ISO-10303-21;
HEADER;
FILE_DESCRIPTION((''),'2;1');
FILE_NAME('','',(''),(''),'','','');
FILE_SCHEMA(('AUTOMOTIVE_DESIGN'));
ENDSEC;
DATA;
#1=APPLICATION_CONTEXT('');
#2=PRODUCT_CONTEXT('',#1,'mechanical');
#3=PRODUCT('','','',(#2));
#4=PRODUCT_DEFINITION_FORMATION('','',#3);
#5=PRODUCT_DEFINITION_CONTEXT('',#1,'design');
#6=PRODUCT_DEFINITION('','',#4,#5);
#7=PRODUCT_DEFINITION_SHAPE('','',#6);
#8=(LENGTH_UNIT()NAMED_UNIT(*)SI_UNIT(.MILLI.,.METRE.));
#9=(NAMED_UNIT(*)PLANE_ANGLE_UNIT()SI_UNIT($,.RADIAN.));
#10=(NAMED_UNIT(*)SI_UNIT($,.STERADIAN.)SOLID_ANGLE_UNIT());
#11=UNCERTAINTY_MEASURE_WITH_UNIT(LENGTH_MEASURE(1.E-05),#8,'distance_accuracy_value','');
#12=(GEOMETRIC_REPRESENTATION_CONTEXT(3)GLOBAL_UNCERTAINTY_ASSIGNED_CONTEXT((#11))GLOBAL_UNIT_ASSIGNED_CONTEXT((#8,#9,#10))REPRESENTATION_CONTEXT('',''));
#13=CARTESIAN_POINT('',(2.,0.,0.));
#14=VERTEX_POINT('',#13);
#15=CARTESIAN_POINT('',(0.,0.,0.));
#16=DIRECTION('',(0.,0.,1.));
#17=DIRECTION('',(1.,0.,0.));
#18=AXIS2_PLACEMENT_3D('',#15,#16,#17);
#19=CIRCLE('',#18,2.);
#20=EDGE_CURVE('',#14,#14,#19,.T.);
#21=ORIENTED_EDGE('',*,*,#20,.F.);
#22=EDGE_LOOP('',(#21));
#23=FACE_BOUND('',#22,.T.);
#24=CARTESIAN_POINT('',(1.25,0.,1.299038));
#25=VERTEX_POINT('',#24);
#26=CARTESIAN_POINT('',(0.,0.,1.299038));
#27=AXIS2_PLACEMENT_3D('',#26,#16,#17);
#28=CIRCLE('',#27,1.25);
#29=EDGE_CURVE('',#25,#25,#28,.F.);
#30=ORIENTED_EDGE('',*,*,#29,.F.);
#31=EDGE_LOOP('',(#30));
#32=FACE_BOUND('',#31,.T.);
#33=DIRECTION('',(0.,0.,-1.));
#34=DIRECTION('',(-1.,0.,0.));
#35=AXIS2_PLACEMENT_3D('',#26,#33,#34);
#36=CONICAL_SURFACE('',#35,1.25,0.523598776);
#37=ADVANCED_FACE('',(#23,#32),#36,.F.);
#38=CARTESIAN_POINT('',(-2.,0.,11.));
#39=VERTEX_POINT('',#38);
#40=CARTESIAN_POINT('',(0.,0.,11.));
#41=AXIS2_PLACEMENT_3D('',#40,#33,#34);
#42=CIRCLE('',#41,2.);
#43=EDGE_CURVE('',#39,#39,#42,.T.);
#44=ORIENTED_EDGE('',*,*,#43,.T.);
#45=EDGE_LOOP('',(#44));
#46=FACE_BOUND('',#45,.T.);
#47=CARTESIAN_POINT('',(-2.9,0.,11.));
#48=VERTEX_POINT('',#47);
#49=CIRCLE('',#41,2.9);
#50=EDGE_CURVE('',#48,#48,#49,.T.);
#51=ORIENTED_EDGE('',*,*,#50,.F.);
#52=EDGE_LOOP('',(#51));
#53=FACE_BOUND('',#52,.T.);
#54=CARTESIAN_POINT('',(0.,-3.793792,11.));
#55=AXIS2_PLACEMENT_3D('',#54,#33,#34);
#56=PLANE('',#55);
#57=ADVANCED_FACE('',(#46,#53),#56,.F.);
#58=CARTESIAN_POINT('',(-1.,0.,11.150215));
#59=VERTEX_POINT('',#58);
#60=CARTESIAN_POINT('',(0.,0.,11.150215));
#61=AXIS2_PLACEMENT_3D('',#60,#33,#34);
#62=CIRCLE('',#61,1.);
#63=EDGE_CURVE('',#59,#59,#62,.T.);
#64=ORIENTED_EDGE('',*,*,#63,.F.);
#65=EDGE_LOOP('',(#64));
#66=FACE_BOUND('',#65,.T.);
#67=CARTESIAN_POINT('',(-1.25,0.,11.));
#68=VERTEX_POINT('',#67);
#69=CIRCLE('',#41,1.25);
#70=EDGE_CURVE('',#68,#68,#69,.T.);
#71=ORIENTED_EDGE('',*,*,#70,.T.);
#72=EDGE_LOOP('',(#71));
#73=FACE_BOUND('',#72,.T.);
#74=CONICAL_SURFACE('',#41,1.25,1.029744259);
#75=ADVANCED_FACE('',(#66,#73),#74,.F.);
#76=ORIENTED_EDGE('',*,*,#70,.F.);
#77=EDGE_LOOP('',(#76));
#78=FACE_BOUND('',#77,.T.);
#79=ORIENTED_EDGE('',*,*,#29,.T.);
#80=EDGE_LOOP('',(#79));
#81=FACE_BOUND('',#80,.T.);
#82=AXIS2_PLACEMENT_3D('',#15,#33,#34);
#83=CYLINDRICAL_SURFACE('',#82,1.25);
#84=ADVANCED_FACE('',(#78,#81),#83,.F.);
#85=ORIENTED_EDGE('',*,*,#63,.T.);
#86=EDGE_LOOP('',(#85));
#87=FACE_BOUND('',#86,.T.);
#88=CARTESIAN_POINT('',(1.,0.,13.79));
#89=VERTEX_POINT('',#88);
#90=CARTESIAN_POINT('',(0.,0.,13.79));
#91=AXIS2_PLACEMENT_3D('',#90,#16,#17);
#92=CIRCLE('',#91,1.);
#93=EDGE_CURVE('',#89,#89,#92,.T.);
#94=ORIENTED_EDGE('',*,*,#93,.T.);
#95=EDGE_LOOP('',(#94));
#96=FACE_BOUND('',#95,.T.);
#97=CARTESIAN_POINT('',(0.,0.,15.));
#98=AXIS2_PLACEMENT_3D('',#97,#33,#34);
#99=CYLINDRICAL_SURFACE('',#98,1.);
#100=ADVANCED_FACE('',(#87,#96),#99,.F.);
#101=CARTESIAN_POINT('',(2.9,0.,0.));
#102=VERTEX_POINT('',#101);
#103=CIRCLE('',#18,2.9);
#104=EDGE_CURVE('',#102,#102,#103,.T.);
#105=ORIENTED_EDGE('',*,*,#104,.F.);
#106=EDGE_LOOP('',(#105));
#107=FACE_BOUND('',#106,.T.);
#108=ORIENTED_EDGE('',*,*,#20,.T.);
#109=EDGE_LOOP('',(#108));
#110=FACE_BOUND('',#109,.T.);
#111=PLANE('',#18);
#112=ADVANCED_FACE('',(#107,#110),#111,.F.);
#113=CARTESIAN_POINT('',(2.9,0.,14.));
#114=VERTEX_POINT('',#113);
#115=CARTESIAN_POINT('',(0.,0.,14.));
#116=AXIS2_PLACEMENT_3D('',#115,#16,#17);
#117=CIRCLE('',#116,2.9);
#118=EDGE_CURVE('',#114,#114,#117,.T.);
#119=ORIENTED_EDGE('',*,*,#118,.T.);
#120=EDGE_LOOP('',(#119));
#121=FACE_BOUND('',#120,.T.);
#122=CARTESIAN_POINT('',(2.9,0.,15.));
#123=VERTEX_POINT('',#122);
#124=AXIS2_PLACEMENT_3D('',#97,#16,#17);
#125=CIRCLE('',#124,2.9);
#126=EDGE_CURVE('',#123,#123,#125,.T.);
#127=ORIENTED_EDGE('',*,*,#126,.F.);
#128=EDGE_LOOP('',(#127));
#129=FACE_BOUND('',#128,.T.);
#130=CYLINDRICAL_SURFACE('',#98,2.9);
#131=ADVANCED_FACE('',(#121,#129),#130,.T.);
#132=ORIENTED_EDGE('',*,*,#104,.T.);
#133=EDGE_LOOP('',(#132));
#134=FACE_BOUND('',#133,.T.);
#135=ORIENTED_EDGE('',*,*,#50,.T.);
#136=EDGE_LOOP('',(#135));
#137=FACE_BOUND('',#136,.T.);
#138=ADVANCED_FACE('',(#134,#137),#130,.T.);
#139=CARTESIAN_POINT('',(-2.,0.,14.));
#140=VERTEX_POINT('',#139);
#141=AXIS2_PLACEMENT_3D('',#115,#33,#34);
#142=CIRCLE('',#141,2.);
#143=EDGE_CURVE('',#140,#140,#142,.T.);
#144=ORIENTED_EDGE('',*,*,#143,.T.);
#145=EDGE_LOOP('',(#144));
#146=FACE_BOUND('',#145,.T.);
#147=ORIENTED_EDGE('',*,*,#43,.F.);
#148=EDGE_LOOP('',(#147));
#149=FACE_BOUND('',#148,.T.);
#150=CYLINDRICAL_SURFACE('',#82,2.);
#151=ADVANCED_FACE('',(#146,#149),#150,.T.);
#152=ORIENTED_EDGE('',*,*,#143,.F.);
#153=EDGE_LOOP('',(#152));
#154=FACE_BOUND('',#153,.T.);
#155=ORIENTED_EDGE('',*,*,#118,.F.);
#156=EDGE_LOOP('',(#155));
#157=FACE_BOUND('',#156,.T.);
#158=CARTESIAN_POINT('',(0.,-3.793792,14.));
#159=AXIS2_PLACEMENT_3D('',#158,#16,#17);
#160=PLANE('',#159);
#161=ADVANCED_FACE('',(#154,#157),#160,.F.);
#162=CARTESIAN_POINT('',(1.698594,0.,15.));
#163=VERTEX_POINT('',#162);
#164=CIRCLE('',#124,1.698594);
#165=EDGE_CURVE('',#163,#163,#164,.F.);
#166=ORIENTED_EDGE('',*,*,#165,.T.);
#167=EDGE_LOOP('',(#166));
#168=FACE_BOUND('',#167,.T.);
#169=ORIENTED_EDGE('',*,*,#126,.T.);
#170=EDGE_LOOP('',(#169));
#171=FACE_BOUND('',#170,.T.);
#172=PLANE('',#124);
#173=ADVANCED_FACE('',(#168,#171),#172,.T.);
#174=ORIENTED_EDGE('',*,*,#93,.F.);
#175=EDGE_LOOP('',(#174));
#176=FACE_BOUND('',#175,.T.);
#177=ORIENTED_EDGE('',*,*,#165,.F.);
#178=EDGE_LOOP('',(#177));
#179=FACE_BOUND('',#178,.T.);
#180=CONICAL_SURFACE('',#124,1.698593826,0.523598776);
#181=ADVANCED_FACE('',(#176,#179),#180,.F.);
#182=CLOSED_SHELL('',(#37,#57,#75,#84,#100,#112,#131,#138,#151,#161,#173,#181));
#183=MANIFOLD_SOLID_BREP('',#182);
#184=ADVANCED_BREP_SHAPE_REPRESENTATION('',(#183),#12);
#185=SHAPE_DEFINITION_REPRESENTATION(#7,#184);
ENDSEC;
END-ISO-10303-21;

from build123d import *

# Parameters (mm, degrees)
SKETCH1_R                       = 2.9
BOSS_EXTRUDE1_DEPTH             = 15
SKETCH2_R                       = 1
CUT_EXTRUDE1_DEPTH              = 16
TAP_DRILL_FOR_M3X0_5_TAP1_D     = 2.5
TAP_DRILL_FOR_M3X0_5_TAP1_DEPTH = 11
TAP_DRILL_FOR_M3X0_5_TAP1_TIP   = 0.751075774
SKETCH5_W                       = 3
SKETCH5_H                       = 1.793791595
CHAMFER1_SIZE                   = 0.75
CHAMFER1_SIZE2                  = 1.299038106
CHAMFER2_SIZE                   = 1.21
CHAMFER2_SIZE2                  = 0.698593826


with BuildPart() as part:
    # Sketch1 → Boss-Extrude1 (new body)
    with BuildSketch(Plane.XY):
        Circle(SKETCH1_R)
    extrude(amount=BOSS_EXTRUDE1_DEPTH)

    # Sketch2 → Cut-Extrude1 (cut, through all)
    with BuildSketch(Plane(origin=(0, 0, 0), x_dir=(-1, 0, 0), z_dir=(0, 0, -1))):
        Circle(SKETCH2_R)
    extrude(amount=-CUT_EXTRUDE1_DEPTH, mode=Mode.SUBTRACT)

    # Tap Drill for M3x0.5 Tap1
    with Locations(Plane(origin=(0, 0, 0), x_dir=(-1, 0, 0), z_dir=(0, 0, -1))):
        with Locations((0, 0)):
            Hole(TAP_DRILL_FOR_M3X0_5_TAP1_D / 2, depth=TAP_DRILL_FOR_M3X0_5_TAP1_DEPTH)
            with Locations((0, 0, -(TAP_DRILL_FOR_M3X0_5_TAP1_DEPTH + TAP_DRILL_FOR_M3X0_5_TAP1_TIP / 2))):  # 118° drill point
                Cone(0, TAP_DRILL_FOR_M3X0_5_TAP1_D / 2, TAP_DRILL_FOR_M3X0_5_TAP1_TIP, mode=Mode.SUBTRACT)

    # Sketch5 → Cut-Revolve1 (revolve, cut)
    with BuildSketch(Plane(origin=(0, 0, 0), x_dir=(0, 0, -1), z_dir=(1, 0, 0))):
        with Locations((-12.5, 2.896895798)):
            Rectangle(SKETCH5_W, SKETCH5_H)
    revolve(axis=Axis((0, 0, 0), (0, 0, 1)), mode=Mode.SUBTRACT)

    # Chamfer1
    chamfer1_edges = [part.edges().sort_by_distance(p)[0] for p in [
        (-1.25, 0, 0),
    ]]
    chamfer1_side = [part.faces().sort_by_distance(p)[0] for p in [
        (-2.817975613, 0, 0),
    ]]
    chamfer(chamfer1_edges, length=CHAMFER1_SIZE, length2=CHAMFER1_SIZE2, reference=chamfer1_side[0])

    # Chamfer2
    chamfer2_edges = [part.edges().sort_by_distance(p)[0] for p in [
        (1, 0, 15),
    ]]
    chamfer2_side = [part.faces().sort_by_distance(p)[0] for p in [
        (1, 0, 13.075107577),
    ]]
    chamfer(chamfer2_edges, length=CHAMFER2_SIZE, length2=CHAMFER2_SIZE2, reference=chamfer2_side[0])


solid = part.part
